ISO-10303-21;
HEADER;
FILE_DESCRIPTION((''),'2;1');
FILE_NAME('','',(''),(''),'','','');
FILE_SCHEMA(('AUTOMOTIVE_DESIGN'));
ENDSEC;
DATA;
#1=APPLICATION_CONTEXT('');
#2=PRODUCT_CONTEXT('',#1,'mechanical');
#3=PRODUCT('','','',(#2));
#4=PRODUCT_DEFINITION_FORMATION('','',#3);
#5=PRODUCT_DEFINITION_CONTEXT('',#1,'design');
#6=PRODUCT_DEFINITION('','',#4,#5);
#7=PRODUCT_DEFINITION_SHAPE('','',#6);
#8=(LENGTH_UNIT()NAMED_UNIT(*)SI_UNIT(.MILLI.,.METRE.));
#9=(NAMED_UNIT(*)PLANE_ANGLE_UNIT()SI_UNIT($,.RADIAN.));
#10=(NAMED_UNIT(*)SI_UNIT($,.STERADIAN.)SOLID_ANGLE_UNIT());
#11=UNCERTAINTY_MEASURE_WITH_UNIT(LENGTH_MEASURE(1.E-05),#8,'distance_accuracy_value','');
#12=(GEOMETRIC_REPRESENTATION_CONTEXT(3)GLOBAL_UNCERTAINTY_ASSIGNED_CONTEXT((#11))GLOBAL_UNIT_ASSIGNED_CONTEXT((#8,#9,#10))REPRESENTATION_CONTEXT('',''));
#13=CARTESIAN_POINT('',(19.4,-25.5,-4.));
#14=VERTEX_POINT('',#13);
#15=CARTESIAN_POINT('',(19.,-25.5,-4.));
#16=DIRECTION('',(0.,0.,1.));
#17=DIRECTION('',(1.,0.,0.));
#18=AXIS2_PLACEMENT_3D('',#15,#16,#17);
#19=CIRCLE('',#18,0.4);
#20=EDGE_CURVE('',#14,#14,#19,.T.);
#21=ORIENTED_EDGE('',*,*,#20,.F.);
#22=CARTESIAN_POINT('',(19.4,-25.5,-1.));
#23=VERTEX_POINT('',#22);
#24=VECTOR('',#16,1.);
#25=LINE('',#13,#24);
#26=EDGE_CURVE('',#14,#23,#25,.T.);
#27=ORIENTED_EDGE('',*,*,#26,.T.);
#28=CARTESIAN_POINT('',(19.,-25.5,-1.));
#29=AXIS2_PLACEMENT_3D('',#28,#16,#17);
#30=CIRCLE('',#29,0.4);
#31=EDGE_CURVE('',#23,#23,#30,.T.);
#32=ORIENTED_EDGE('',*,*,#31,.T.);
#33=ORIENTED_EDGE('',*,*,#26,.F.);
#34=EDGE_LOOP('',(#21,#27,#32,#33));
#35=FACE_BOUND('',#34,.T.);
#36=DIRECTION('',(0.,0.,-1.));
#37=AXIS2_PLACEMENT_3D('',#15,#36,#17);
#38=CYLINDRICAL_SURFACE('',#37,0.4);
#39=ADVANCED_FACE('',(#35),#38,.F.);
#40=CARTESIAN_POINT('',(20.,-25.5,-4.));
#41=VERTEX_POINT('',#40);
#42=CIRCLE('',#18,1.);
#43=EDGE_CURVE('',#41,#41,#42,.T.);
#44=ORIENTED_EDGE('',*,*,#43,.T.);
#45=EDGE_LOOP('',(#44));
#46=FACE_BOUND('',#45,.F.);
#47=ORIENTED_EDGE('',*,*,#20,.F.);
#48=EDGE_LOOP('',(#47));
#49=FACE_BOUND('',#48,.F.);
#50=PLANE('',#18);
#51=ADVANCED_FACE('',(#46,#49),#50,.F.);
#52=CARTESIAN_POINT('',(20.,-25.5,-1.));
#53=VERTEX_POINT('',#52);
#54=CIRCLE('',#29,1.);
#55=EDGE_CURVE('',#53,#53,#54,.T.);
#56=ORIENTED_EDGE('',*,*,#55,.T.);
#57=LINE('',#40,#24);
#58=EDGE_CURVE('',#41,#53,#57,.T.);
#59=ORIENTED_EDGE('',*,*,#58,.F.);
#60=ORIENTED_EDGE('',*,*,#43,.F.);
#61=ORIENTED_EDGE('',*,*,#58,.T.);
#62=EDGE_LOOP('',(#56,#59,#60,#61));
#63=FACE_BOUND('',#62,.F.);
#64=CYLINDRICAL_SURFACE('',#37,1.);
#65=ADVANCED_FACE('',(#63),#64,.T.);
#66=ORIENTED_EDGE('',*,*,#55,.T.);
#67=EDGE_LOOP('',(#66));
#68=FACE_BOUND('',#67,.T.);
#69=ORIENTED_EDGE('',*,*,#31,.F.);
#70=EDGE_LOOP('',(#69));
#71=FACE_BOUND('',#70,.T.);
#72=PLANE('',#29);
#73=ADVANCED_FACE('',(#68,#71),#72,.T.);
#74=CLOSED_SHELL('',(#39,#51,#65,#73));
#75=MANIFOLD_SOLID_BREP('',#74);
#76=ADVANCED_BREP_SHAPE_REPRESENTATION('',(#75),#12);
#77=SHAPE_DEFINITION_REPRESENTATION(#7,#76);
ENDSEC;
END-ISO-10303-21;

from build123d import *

# Parameters (mm, degrees)
CYLINDER005_R     = 0.4
CYLINDER005_DEPTH = 3
CYLINDER002_R     = 1
CYLINDER002_DEPTH = 3


with BuildPart() as cylinder005:
    # Cylinder005 → Cylinder005 (new body)
    with BuildSketch(Plane(origin=(19, -25.5, -4), x_dir=(1, 0, 0), z_dir=(0, 0, 1))):
        Circle(CYLINDER005_R)
    extrude(amount=CYLINDER005_DEPTH)


with BuildPart() as cut007:
    # Cylinder002 → Cylinder002 (new body)
    with BuildSketch(Plane(origin=(19, -25.5, -4), x_dir=(1, 0, 0), z_dir=(0, 0, 1))):
        Circle(CYLINDER002_R)
    extrude(amount=CYLINDER002_DEPTH)

    # Cut007: cut Cylinder005
    add(cylinder005.part, mode=Mode.SUBTRACT)


solid = cut007.part
